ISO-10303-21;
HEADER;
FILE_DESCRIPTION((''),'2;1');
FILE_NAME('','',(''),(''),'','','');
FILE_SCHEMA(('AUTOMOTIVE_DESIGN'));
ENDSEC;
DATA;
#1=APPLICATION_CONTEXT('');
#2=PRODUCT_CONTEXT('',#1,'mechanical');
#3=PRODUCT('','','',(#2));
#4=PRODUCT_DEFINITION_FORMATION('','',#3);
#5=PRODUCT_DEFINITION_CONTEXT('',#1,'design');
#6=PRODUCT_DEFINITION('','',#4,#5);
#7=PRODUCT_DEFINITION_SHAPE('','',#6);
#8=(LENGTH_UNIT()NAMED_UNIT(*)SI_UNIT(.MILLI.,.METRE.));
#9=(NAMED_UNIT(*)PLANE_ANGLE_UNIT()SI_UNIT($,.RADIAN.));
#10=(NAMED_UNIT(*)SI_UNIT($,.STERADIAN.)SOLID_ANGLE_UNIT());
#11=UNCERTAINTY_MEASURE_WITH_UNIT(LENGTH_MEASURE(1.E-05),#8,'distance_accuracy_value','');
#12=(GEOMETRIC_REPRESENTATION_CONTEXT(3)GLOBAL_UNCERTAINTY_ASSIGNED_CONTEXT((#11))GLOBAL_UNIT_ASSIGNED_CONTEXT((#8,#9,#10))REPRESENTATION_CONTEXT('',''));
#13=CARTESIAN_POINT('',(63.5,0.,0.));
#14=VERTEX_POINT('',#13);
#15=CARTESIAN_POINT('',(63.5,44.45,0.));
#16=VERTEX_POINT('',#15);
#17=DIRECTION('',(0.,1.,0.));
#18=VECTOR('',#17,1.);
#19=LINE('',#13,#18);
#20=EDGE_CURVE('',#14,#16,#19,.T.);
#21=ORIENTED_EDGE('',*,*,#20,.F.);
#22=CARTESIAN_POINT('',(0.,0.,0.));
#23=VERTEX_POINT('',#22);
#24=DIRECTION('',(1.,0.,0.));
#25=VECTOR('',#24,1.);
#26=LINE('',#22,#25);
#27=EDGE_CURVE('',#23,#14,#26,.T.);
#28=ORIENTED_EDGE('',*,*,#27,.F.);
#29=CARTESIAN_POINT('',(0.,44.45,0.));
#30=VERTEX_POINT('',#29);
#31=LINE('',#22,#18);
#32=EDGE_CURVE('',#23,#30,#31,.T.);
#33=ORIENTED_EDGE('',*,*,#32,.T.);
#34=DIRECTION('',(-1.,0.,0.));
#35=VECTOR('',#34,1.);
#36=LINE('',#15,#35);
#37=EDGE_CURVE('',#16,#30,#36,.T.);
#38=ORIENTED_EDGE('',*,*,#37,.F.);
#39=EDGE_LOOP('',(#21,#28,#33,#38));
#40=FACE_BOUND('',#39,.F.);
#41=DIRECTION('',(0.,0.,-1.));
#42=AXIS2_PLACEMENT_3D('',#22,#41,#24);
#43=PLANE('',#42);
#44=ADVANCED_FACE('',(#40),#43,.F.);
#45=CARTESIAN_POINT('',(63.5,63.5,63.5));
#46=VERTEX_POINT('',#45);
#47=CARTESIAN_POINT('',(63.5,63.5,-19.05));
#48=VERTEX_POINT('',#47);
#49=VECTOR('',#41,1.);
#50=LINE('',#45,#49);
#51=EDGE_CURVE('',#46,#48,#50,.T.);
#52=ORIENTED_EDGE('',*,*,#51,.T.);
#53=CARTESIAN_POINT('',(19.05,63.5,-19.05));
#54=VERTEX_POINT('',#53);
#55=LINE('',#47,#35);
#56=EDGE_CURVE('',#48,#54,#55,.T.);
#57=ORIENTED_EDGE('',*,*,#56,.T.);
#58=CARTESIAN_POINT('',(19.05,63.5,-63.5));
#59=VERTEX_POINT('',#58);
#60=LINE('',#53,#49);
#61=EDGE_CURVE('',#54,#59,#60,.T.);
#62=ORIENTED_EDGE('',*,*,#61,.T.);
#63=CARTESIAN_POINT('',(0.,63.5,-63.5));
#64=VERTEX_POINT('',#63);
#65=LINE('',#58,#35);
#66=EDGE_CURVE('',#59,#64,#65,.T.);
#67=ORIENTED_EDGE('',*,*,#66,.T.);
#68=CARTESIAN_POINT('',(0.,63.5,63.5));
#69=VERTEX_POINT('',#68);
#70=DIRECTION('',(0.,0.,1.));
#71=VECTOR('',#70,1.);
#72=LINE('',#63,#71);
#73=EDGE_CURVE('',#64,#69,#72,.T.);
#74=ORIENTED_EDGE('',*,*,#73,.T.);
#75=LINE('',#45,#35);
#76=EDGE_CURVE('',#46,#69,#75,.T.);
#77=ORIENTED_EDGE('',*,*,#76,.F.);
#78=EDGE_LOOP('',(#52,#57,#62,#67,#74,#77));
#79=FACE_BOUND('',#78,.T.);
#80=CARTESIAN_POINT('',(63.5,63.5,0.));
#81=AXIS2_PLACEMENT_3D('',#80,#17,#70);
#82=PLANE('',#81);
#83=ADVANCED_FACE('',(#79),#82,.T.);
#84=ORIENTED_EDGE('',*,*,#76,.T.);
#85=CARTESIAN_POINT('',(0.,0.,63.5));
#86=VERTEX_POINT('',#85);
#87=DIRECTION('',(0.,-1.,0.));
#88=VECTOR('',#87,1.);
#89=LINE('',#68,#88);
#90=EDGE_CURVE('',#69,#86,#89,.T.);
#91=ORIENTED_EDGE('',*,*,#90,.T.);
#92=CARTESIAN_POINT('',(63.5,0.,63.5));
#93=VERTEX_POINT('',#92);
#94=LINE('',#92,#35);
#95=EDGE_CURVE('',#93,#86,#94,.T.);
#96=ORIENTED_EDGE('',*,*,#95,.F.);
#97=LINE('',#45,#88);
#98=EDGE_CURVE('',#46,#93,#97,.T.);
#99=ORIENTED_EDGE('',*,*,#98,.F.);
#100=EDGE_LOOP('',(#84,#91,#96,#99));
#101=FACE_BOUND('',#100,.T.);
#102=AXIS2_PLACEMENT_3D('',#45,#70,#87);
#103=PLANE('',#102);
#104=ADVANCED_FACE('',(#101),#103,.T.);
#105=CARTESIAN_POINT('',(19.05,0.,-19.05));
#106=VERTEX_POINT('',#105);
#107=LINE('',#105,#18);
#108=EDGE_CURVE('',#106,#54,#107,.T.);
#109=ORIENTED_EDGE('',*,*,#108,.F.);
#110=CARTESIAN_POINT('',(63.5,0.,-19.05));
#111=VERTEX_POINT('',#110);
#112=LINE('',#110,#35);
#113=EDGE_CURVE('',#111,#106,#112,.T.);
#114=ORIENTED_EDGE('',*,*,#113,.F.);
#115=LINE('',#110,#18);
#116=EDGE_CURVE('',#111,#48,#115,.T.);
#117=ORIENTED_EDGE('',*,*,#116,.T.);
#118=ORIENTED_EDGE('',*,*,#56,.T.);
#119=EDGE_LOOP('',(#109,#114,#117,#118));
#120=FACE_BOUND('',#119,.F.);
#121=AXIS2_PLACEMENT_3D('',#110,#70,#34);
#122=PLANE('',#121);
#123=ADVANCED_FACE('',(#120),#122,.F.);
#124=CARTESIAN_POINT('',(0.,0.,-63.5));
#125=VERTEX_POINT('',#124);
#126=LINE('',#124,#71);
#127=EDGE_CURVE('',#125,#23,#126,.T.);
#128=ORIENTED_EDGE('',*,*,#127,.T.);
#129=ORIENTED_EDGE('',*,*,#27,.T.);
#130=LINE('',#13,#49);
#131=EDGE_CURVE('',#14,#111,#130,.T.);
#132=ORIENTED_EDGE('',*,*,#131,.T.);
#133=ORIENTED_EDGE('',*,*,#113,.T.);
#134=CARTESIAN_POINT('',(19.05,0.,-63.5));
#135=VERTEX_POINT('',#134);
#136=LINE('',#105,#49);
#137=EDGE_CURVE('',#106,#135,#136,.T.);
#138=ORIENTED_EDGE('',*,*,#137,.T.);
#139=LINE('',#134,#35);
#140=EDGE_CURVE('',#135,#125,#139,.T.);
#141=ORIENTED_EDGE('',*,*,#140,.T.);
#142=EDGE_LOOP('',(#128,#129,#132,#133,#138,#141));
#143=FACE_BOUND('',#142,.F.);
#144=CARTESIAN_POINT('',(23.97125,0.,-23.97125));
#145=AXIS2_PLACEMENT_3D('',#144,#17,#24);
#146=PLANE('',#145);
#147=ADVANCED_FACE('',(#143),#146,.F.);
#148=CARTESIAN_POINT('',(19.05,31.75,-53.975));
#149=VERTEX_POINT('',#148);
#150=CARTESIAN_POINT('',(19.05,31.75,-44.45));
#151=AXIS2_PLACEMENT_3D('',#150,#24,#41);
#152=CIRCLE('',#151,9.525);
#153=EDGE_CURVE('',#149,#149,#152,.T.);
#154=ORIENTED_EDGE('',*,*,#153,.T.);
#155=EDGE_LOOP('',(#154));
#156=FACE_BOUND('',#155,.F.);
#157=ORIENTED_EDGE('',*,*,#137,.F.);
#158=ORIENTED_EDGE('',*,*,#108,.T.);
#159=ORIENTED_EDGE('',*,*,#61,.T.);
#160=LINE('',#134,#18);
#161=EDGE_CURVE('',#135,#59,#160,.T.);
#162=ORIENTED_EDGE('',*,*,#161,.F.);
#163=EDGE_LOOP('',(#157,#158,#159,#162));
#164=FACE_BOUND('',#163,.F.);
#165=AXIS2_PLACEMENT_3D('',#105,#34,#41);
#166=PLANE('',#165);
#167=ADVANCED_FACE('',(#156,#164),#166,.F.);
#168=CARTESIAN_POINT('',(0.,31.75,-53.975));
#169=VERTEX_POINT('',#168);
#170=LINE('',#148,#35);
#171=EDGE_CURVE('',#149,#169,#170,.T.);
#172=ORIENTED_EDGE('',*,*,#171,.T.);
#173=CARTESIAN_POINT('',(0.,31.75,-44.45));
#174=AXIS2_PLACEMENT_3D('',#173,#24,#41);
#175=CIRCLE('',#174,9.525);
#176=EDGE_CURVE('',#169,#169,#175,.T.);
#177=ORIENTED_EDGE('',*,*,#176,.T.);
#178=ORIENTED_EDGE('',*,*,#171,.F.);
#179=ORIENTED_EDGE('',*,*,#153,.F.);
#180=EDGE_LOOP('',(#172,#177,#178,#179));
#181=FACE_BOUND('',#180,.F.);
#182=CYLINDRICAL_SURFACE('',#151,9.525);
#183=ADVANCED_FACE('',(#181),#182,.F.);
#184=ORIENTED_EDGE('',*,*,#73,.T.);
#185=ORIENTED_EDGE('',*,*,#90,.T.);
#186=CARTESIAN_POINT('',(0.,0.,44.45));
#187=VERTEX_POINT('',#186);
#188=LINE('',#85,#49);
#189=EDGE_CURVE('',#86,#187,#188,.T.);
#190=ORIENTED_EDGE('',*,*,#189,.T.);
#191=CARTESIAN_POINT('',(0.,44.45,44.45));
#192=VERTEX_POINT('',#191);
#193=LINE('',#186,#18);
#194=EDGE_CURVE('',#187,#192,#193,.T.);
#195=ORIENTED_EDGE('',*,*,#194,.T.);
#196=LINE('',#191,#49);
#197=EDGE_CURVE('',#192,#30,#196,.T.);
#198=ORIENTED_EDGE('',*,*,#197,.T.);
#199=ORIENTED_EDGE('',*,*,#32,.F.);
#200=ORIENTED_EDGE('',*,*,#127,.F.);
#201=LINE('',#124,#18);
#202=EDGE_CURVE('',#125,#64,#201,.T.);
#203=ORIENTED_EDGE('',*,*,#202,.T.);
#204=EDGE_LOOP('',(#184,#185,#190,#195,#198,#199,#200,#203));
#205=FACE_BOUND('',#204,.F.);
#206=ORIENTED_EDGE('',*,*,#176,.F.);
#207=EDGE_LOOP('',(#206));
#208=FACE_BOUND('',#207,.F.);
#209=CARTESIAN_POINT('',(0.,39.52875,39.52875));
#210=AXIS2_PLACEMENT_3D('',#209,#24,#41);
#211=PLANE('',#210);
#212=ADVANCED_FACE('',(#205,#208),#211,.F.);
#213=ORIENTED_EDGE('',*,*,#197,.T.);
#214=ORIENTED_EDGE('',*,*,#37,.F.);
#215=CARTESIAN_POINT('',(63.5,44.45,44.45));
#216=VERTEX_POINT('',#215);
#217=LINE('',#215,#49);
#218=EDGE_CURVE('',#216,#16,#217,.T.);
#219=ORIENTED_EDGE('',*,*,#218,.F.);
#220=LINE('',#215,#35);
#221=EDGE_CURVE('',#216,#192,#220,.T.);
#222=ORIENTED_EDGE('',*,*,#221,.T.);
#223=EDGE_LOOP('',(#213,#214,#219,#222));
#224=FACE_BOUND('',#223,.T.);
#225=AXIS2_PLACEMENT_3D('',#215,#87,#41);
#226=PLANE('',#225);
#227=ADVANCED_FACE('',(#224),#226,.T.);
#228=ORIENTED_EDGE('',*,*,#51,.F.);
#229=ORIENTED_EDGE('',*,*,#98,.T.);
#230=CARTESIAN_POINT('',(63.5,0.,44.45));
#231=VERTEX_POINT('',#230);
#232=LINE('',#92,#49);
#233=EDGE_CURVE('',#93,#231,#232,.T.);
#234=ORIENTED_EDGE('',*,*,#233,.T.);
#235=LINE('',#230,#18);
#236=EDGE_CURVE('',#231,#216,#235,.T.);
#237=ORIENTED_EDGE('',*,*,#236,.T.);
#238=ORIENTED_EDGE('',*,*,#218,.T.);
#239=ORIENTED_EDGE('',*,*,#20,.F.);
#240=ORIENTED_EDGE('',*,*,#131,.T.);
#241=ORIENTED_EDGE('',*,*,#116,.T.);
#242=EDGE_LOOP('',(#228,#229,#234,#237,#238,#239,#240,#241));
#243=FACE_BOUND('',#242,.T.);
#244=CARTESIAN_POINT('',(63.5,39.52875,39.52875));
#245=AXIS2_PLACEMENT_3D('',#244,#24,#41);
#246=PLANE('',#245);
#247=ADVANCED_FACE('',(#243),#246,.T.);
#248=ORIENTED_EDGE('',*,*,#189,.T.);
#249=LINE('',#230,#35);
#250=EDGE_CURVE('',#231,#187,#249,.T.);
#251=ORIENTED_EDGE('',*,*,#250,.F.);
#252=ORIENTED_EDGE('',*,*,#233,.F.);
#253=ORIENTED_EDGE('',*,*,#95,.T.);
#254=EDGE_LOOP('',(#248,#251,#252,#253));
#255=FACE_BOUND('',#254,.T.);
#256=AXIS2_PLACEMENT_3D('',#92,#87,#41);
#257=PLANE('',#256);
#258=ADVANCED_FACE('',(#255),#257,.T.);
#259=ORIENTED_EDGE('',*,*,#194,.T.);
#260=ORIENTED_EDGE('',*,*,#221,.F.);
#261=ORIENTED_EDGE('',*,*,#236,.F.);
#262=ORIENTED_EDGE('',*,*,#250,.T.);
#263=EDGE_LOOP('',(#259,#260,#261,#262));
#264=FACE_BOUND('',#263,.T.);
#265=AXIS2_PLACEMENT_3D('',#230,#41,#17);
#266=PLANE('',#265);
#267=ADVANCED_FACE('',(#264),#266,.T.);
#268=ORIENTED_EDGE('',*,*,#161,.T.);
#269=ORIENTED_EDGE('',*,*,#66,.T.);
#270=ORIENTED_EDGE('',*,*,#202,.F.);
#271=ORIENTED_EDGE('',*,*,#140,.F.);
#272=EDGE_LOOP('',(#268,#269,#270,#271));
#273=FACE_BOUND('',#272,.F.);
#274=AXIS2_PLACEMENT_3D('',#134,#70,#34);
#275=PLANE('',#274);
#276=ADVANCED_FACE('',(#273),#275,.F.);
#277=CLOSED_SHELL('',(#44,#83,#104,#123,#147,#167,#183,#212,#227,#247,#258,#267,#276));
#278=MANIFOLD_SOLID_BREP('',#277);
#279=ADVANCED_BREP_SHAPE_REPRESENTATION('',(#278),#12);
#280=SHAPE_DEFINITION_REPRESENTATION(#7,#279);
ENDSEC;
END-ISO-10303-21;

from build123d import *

# Parameters (mm, degrees)
BOSS_EXTRUDE1_DEPTH = 63.5
BOSS_EXTRUDE2_DEPTH = 63.5
SKETCH6_R           = 9.525
CUT_EXTRUDE1_DEPTH  = 20.05


with BuildPart() as part:
    # Sketch3 → Boss-Extrude1 (new body)
    with BuildSketch(Plane(origin=(0, 0, 0), x_dir=(1, 0, 0), z_dir=(0, 1, 0))):
        Polygon((0, 0), (63.5, 0), (63.5, 19.05), (19.05, 19.05), (19.05, 63.5), (0, 63.5), align=None)
    extrude(amount=BOSS_EXTRUDE1_DEPTH)

    # Sketch5 → Boss-Extrude2 (add)
    with BuildSketch(Plane(origin=(63.5, 0, 0), x_dir=(0, 0, -1), z_dir=(1, 0, 0))):
        Polygon((0, 63.5), (-63.5, 63.5), (-63.5, 0), (-44.45, 0), (-44.45, 44.45), (0, 44.45), align=None)
    extrude(amount=-BOSS_EXTRUDE2_DEPTH)

    # Sketch6 → Cut-Extrude1 (cut, through all)
    with BuildSketch(Plane(origin=(19.05, 0, 0), x_dir=(0, 0, -1), z_dir=(1, 0, 0))):
        with Locations((44.45, 31.75)):
            Circle(SKETCH6_R)
    extrude(amount=-CUT_EXTRUDE1_DEPTH, mode=Mode.SUBTRACT)


solid = part.part
